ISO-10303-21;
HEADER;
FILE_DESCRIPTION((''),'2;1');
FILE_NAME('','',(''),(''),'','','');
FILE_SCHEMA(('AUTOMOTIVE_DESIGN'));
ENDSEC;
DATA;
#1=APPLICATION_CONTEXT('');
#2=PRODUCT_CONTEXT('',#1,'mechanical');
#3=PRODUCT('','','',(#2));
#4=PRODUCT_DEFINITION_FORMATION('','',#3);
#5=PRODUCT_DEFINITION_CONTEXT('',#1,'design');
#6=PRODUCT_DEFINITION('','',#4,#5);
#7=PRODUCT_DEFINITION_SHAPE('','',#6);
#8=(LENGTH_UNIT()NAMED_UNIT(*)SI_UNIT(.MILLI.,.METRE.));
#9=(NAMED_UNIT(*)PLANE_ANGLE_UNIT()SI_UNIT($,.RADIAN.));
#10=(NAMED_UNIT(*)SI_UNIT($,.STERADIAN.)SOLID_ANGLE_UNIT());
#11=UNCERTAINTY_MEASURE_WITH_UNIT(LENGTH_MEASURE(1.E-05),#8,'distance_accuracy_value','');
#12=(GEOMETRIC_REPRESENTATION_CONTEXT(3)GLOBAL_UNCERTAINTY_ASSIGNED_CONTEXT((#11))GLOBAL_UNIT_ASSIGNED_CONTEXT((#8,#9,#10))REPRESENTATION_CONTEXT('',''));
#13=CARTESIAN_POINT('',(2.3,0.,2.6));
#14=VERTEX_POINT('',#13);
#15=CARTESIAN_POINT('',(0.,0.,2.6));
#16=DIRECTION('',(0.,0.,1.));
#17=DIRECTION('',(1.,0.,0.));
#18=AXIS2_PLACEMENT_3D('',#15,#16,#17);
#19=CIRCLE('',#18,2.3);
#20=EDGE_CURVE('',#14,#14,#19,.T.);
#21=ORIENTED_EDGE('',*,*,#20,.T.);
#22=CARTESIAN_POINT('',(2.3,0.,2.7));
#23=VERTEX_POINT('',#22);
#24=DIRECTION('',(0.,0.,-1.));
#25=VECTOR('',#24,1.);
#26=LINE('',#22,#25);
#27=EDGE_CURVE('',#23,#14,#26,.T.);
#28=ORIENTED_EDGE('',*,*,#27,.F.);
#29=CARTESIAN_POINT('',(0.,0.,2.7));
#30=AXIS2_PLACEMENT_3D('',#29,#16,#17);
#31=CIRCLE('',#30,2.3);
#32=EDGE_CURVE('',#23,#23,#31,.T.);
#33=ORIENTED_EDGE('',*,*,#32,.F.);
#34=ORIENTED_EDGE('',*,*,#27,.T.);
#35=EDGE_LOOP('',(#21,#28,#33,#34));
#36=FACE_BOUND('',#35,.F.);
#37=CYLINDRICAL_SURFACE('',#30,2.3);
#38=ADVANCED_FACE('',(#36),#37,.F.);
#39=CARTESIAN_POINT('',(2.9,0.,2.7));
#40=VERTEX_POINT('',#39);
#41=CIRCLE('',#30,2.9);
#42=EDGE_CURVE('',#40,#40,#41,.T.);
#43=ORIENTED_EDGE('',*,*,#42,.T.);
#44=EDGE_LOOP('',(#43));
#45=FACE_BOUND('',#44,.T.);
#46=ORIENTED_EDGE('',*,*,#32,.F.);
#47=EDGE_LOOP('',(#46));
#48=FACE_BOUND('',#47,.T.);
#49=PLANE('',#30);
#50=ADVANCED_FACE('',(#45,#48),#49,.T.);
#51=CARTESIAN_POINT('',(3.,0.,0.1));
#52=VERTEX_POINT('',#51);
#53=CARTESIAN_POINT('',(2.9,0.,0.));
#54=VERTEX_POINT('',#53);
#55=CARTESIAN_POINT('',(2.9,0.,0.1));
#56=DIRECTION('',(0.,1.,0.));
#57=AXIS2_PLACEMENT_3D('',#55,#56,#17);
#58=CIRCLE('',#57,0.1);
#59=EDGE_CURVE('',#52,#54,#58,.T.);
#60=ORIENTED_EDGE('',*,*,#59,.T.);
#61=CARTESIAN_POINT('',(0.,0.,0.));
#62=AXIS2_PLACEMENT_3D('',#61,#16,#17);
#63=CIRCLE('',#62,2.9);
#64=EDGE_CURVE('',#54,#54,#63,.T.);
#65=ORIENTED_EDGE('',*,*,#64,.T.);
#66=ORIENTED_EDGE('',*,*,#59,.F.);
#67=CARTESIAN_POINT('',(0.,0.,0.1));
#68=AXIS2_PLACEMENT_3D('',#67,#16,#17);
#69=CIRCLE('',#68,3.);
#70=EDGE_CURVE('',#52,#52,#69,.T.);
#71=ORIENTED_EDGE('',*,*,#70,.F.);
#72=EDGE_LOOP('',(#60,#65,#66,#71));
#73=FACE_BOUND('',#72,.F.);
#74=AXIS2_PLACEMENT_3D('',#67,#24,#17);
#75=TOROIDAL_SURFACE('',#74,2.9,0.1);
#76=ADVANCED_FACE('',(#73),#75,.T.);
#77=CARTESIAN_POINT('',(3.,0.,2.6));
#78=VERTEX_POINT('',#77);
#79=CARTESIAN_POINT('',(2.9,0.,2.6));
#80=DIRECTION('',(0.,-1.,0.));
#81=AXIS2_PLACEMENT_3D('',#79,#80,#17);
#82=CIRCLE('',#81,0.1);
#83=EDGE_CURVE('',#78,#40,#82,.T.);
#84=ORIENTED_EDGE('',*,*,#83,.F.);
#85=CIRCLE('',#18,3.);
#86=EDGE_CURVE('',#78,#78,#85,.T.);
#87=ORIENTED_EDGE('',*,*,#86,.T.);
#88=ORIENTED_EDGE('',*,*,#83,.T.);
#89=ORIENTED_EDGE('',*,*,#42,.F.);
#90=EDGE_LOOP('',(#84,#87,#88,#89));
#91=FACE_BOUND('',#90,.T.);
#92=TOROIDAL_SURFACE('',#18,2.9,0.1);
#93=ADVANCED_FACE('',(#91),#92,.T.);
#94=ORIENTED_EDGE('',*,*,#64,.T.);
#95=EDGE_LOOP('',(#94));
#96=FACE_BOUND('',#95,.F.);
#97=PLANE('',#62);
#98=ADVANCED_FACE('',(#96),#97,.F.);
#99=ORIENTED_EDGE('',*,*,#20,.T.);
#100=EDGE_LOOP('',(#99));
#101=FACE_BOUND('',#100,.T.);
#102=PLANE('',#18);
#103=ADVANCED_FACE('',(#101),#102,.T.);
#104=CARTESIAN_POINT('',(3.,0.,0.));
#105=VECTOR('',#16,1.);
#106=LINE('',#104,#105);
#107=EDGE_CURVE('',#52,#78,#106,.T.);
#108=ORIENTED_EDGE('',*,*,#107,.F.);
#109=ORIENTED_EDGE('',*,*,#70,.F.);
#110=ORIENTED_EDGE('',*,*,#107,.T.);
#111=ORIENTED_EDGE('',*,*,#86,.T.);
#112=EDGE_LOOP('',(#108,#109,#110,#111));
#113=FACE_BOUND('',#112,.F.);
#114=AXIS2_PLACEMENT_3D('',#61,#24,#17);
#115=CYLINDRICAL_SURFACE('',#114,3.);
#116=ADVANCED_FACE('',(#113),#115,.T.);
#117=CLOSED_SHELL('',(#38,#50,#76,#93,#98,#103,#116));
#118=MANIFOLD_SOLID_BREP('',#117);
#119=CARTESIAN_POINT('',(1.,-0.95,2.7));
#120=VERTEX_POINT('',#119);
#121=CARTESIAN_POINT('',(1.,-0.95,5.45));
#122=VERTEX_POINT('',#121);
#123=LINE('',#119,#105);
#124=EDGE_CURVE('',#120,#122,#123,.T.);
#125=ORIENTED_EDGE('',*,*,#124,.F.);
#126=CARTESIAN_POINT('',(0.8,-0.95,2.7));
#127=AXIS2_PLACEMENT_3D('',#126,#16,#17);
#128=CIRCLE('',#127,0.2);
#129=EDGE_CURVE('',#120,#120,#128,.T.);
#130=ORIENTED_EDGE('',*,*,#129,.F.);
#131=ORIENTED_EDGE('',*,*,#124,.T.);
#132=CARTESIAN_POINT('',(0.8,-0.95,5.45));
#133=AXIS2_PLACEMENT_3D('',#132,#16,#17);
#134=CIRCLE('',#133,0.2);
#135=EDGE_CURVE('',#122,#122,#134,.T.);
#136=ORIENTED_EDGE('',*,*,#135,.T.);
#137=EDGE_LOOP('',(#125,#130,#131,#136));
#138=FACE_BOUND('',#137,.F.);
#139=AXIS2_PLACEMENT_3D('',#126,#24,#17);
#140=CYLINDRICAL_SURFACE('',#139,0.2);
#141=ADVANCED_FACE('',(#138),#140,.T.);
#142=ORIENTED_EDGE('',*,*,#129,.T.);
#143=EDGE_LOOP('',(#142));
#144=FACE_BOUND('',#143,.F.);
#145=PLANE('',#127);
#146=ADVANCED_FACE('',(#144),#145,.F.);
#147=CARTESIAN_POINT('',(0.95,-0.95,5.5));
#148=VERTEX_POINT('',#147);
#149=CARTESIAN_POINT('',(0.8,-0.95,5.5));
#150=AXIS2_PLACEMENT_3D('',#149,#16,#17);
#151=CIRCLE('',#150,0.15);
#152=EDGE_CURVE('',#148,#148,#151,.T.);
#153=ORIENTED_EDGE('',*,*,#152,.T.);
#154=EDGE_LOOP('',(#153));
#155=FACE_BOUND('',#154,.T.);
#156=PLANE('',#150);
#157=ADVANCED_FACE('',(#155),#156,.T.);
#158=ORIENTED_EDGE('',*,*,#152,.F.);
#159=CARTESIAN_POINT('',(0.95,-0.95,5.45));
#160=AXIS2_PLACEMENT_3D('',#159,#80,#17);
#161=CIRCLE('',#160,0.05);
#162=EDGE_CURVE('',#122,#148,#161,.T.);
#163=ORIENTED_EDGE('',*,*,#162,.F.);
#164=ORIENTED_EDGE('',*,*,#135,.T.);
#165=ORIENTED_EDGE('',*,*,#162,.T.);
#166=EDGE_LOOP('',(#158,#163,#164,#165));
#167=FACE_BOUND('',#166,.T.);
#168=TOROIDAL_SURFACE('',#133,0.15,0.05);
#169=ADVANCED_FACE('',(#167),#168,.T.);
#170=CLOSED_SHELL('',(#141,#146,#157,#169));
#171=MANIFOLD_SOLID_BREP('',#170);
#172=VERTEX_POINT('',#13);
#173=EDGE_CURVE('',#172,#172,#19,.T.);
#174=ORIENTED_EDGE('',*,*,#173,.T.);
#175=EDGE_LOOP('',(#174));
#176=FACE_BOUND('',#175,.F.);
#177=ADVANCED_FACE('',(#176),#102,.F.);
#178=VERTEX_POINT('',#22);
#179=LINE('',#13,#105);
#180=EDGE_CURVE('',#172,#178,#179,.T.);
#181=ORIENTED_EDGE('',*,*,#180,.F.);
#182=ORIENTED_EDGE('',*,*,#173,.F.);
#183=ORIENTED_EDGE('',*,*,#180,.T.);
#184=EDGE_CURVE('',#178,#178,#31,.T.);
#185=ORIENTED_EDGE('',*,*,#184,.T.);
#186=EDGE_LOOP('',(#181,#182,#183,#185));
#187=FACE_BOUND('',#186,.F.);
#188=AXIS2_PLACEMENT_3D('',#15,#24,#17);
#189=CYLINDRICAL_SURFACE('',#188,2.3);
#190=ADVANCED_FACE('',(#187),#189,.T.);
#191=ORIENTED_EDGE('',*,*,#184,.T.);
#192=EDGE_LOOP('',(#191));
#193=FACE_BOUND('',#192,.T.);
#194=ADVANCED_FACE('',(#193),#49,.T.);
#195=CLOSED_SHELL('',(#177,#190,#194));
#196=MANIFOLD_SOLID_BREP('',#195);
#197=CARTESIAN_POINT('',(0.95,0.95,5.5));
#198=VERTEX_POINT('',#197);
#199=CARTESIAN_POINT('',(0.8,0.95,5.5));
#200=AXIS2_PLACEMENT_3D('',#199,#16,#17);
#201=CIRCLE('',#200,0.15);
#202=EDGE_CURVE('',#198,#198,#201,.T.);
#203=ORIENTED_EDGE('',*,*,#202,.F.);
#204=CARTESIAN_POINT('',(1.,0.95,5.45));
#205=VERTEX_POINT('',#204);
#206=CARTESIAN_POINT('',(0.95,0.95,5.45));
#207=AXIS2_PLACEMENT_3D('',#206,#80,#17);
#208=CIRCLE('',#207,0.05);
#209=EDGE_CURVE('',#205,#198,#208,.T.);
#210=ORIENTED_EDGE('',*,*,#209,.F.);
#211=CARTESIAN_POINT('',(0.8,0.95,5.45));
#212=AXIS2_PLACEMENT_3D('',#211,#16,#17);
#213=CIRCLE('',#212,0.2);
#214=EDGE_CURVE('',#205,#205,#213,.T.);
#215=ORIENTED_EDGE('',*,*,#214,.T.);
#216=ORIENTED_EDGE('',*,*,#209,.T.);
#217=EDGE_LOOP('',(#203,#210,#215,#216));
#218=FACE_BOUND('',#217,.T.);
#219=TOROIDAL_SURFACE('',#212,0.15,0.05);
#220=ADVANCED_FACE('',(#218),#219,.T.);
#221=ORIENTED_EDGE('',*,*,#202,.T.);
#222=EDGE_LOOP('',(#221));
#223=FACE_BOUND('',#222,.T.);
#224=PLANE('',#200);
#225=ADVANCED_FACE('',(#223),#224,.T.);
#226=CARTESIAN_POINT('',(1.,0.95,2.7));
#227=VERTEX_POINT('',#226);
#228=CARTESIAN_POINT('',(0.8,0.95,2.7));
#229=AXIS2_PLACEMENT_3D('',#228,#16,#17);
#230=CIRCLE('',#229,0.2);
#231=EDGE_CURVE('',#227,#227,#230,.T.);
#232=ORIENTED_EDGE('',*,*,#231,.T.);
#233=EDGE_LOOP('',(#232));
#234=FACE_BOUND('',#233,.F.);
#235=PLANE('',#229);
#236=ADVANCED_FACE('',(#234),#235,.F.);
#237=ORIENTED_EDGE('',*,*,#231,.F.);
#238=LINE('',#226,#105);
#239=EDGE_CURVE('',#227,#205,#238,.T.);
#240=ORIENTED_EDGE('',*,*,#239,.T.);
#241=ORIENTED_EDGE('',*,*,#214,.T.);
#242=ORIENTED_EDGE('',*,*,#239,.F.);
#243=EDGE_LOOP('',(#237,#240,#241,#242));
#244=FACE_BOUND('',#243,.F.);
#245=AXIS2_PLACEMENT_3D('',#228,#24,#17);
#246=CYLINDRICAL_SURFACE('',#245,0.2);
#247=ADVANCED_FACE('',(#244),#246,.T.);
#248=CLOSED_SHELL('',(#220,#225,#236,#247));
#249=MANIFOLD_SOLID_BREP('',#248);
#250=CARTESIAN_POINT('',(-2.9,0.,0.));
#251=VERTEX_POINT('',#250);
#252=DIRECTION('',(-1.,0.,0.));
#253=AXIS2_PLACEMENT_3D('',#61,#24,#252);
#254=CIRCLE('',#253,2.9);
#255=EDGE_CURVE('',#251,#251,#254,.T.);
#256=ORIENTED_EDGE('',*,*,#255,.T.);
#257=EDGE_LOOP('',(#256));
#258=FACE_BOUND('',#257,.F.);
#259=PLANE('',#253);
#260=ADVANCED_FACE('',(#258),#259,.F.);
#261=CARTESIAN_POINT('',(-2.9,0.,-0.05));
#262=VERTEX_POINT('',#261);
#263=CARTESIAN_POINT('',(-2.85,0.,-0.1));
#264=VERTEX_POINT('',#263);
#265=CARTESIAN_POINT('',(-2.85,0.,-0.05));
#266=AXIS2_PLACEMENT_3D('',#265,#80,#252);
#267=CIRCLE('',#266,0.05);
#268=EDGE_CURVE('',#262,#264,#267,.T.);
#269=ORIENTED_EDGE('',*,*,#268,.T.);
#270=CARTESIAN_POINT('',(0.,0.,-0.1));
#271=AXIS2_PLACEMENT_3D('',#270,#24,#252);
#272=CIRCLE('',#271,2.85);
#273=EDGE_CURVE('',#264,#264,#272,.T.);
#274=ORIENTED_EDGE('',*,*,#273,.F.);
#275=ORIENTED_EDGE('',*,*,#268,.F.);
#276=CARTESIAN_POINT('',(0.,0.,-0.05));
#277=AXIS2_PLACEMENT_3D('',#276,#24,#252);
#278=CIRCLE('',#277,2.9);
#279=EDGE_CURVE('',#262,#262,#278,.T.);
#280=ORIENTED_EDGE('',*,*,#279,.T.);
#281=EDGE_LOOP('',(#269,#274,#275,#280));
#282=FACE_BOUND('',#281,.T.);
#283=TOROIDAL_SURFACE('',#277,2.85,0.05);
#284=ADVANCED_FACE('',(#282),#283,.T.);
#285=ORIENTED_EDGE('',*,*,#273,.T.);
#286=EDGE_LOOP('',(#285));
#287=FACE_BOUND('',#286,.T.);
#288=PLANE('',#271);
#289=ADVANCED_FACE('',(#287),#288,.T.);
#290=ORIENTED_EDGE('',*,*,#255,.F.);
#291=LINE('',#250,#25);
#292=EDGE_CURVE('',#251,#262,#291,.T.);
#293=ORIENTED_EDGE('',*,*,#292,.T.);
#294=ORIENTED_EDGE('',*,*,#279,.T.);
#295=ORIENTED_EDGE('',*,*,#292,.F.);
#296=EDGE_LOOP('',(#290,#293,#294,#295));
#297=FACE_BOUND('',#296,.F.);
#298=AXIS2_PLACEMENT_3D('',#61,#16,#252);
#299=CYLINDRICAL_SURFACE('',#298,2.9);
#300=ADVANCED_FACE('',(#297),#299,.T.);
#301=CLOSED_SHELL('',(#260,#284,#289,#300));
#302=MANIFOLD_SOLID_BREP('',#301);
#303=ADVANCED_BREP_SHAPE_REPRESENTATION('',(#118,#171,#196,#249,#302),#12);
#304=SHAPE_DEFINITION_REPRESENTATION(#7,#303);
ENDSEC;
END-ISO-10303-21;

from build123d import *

# Parameters (mm, degrees)
SKETCH1_R             = 3
BOSS_EXTRUDE1_DEPTH   = 2.7
SKETCH3_R             = 0.2
BOSS_EXTRUDE2_DEPTH   = 2.8
BOSS_EXTRUDE2_2_DEPTH = 2.8
FILLET1_R             = 0.1
SKETCH4_R             = 2.9
BOSS_EXTRUDE3_DEPTH   = 0.1
FILLET2_R             = 0.05
SKETCH6_R             = 2.3
CUT_EXTRUDE1_DEPTH    = 0.1
SKETCH7_R             = 2.3
BOSS_EXTRUDE6_DEPTH   = 0.1
FILLET3_R             = 0.05
FILLET4_R             = 0.05


with BuildPart() as part:
    # Sketch1 → Boss-Extrude1 (new body)
    with BuildSketch(Plane.XY):
        Circle(SKETCH1_R)
    extrude(amount=BOSS_EXTRUDE1_DEPTH)

    # Fillet1
    fillet1_edges = [part.edges().sort_by_distance(p)[0] for p in [
        (-3, 0, 0),
        (-3, 0, 2.7),
    ]]
    fillet(fillet1_edges, radius=FILLET1_R)

    # Sketch6 → Cut-Extrude1 (cut)
    with BuildSketch(Plane.XY.offset(2.7)):
        Circle(SKETCH6_R)
    extrude(amount=-CUT_EXTRUDE1_DEPTH, mode=Mode.SUBTRACT)


with BuildPart() as body_2:
    # Sketch3 → Boss-Extrude2 (new body)
    with BuildSketch(Plane.XY.offset(2.7)):
        with Locations((0.8, -0.95)):
            Circle(SKETCH3_R)
    extrude(amount=BOSS_EXTRUDE2_DEPTH)

    # Fillet3
    fillet3_edges = [body_2.edges().sort_by_distance(p)[0] for p in [
        (0.6, -0.95, 5.5),
    ]]
    fillet(fillet3_edges, radius=FILLET3_R)


with BuildPart() as body_3:
    # Sketch3 → Boss-Extrude2 2 (new body)
    with BuildSketch(Plane.XY.offset(2.7)):
        with Locations((0.8, 0.95)):
            Circle(SKETCH3_R)
    extrude(amount=BOSS_EXTRUDE2_2_DEPTH)

    # Fillet4
    fillet4_edges = [body_3.edges().sort_by_distance(p)[0] for p in [
        (0.6, 0.95, 5.5),
    ]]
    fillet(fillet4_edges, radius=FILLET4_R)


with BuildPart() as body_4:
    # Sketch4 → Boss-Extrude3 (new body)
    with BuildSketch(Plane(origin=(0, 0, 0), x_dir=(-1, 0, 0), z_dir=(0, 0, -1))):
        Circle(SKETCH4_R)
    extrude(amount=BOSS_EXTRUDE3_DEPTH)

    # Fillet2
    fillet2_edges = [body_4.edges().sort_by_distance(p)[0] for p in [
        (2.9, 0, -0.1),
    ]]
    fillet(fillet2_edges, radius=FILLET2_R)


with BuildPart() as body_5:
    # Sketch7 → Boss-Extrude6 (new body)
    with BuildSketch(Plane.XY.offset(2.6)):
        Circle(SKETCH7_R)
    extrude(amount=BOSS_EXTRUDE6_DEPTH)


solid = Compound([part.part, body_2.part, body_3.part, body_4.part, body_5.part])
